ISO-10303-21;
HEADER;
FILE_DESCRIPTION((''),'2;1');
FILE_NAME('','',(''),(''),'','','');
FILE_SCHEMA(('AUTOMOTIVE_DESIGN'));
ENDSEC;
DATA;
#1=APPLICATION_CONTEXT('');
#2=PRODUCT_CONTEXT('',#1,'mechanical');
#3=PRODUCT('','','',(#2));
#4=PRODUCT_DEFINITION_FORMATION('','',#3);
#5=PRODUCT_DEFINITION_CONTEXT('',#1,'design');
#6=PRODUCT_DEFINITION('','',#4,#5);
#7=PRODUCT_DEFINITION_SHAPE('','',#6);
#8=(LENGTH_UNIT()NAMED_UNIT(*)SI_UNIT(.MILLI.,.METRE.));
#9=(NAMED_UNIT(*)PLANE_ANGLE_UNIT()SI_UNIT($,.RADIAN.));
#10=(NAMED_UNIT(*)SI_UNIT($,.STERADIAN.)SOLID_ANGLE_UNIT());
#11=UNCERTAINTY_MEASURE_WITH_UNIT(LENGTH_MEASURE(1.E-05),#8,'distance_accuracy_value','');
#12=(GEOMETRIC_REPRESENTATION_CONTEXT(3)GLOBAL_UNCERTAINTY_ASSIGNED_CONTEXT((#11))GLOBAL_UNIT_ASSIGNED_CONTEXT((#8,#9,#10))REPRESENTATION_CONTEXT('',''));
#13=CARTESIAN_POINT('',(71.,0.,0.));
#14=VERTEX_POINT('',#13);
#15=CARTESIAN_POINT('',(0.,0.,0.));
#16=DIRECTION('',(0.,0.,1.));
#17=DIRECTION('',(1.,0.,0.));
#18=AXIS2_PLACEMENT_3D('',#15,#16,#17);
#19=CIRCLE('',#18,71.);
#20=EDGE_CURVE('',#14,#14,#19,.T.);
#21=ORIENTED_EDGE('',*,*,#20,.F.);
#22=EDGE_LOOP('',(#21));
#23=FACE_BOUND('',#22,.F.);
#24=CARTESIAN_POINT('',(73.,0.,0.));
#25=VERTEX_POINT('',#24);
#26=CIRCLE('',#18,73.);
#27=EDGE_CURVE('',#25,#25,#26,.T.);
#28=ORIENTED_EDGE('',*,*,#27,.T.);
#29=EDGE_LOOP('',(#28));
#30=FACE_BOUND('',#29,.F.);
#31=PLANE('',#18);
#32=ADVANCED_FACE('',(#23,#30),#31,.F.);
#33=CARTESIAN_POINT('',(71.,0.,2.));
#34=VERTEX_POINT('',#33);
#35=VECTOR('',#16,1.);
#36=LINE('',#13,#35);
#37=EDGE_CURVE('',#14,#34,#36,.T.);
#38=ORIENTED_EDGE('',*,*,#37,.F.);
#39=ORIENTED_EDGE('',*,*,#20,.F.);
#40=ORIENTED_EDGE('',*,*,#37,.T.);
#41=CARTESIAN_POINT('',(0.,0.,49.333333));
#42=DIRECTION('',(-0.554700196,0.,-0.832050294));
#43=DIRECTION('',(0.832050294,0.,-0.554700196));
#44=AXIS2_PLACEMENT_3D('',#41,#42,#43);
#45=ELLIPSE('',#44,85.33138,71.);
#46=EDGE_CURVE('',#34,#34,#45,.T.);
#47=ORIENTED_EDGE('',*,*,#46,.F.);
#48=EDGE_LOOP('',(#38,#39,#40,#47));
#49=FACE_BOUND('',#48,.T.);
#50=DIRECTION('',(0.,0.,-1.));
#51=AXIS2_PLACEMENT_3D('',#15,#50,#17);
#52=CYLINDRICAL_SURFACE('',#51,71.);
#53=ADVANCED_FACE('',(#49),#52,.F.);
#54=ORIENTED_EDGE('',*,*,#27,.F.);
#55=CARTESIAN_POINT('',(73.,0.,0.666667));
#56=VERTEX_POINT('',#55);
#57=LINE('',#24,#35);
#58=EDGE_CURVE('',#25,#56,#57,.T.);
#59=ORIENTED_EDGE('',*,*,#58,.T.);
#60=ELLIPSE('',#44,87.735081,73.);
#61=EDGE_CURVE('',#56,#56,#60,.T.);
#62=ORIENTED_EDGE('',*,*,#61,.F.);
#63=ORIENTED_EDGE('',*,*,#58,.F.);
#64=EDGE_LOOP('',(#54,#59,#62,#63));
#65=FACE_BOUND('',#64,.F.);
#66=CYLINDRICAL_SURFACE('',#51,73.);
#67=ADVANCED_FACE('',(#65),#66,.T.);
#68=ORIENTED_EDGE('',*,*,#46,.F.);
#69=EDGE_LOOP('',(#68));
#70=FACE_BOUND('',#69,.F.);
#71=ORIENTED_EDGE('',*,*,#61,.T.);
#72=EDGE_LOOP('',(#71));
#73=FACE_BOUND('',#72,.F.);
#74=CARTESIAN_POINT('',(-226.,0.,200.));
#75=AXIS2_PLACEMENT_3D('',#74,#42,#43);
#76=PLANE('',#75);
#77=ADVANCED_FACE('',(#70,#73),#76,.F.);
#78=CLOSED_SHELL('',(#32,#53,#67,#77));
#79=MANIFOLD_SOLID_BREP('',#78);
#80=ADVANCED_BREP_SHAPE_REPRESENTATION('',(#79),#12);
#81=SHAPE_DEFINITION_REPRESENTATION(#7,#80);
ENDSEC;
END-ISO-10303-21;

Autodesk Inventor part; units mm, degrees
ref_plane "YZ Plane" through (0, 0, 0) normal (1, 0, 0) x (0, 1, 0)
ref_plane "XZ Plane" through (0, 0, 0) normal (0, 1, 0) x (-1, 0, 0)
ref_plane "XY Plane" through (0, 0, 0) normal (0, 0, 1) x (1, 0, 0)
sketch "Sketch1" plane through (0, 0, 0) normal (0, 0, 1) x (1, 0, 0)
  circle A0 centre (0, 0) radius 71
  circle A1 centre (0, 0) radius 73
  dimension "d0" = 142
  dimension "d1" = 146
sketch "Sketch3" plane through (0, 0, 0) normal (0, 1, 0) x (-1, 0, 0)
  line L0 (-74, 0) -> (-74, 200)
  line L1 (-74, 200) -> (226, 200)
  line L2 (226, 200) -> (-74, 0)
  point P0 (0, 0)
  dimension "d2" = 300
  dimension "d3" = 74
  dimension "d4" = 200
  dimension "d5" = 200
extrude "Extrusion1" add sketch "Sketch1" along normal blind 100
extrude "Extrusion2" cut sketch "Sketch3" along normal mid plane 200
properties part number "SolarPanel"
